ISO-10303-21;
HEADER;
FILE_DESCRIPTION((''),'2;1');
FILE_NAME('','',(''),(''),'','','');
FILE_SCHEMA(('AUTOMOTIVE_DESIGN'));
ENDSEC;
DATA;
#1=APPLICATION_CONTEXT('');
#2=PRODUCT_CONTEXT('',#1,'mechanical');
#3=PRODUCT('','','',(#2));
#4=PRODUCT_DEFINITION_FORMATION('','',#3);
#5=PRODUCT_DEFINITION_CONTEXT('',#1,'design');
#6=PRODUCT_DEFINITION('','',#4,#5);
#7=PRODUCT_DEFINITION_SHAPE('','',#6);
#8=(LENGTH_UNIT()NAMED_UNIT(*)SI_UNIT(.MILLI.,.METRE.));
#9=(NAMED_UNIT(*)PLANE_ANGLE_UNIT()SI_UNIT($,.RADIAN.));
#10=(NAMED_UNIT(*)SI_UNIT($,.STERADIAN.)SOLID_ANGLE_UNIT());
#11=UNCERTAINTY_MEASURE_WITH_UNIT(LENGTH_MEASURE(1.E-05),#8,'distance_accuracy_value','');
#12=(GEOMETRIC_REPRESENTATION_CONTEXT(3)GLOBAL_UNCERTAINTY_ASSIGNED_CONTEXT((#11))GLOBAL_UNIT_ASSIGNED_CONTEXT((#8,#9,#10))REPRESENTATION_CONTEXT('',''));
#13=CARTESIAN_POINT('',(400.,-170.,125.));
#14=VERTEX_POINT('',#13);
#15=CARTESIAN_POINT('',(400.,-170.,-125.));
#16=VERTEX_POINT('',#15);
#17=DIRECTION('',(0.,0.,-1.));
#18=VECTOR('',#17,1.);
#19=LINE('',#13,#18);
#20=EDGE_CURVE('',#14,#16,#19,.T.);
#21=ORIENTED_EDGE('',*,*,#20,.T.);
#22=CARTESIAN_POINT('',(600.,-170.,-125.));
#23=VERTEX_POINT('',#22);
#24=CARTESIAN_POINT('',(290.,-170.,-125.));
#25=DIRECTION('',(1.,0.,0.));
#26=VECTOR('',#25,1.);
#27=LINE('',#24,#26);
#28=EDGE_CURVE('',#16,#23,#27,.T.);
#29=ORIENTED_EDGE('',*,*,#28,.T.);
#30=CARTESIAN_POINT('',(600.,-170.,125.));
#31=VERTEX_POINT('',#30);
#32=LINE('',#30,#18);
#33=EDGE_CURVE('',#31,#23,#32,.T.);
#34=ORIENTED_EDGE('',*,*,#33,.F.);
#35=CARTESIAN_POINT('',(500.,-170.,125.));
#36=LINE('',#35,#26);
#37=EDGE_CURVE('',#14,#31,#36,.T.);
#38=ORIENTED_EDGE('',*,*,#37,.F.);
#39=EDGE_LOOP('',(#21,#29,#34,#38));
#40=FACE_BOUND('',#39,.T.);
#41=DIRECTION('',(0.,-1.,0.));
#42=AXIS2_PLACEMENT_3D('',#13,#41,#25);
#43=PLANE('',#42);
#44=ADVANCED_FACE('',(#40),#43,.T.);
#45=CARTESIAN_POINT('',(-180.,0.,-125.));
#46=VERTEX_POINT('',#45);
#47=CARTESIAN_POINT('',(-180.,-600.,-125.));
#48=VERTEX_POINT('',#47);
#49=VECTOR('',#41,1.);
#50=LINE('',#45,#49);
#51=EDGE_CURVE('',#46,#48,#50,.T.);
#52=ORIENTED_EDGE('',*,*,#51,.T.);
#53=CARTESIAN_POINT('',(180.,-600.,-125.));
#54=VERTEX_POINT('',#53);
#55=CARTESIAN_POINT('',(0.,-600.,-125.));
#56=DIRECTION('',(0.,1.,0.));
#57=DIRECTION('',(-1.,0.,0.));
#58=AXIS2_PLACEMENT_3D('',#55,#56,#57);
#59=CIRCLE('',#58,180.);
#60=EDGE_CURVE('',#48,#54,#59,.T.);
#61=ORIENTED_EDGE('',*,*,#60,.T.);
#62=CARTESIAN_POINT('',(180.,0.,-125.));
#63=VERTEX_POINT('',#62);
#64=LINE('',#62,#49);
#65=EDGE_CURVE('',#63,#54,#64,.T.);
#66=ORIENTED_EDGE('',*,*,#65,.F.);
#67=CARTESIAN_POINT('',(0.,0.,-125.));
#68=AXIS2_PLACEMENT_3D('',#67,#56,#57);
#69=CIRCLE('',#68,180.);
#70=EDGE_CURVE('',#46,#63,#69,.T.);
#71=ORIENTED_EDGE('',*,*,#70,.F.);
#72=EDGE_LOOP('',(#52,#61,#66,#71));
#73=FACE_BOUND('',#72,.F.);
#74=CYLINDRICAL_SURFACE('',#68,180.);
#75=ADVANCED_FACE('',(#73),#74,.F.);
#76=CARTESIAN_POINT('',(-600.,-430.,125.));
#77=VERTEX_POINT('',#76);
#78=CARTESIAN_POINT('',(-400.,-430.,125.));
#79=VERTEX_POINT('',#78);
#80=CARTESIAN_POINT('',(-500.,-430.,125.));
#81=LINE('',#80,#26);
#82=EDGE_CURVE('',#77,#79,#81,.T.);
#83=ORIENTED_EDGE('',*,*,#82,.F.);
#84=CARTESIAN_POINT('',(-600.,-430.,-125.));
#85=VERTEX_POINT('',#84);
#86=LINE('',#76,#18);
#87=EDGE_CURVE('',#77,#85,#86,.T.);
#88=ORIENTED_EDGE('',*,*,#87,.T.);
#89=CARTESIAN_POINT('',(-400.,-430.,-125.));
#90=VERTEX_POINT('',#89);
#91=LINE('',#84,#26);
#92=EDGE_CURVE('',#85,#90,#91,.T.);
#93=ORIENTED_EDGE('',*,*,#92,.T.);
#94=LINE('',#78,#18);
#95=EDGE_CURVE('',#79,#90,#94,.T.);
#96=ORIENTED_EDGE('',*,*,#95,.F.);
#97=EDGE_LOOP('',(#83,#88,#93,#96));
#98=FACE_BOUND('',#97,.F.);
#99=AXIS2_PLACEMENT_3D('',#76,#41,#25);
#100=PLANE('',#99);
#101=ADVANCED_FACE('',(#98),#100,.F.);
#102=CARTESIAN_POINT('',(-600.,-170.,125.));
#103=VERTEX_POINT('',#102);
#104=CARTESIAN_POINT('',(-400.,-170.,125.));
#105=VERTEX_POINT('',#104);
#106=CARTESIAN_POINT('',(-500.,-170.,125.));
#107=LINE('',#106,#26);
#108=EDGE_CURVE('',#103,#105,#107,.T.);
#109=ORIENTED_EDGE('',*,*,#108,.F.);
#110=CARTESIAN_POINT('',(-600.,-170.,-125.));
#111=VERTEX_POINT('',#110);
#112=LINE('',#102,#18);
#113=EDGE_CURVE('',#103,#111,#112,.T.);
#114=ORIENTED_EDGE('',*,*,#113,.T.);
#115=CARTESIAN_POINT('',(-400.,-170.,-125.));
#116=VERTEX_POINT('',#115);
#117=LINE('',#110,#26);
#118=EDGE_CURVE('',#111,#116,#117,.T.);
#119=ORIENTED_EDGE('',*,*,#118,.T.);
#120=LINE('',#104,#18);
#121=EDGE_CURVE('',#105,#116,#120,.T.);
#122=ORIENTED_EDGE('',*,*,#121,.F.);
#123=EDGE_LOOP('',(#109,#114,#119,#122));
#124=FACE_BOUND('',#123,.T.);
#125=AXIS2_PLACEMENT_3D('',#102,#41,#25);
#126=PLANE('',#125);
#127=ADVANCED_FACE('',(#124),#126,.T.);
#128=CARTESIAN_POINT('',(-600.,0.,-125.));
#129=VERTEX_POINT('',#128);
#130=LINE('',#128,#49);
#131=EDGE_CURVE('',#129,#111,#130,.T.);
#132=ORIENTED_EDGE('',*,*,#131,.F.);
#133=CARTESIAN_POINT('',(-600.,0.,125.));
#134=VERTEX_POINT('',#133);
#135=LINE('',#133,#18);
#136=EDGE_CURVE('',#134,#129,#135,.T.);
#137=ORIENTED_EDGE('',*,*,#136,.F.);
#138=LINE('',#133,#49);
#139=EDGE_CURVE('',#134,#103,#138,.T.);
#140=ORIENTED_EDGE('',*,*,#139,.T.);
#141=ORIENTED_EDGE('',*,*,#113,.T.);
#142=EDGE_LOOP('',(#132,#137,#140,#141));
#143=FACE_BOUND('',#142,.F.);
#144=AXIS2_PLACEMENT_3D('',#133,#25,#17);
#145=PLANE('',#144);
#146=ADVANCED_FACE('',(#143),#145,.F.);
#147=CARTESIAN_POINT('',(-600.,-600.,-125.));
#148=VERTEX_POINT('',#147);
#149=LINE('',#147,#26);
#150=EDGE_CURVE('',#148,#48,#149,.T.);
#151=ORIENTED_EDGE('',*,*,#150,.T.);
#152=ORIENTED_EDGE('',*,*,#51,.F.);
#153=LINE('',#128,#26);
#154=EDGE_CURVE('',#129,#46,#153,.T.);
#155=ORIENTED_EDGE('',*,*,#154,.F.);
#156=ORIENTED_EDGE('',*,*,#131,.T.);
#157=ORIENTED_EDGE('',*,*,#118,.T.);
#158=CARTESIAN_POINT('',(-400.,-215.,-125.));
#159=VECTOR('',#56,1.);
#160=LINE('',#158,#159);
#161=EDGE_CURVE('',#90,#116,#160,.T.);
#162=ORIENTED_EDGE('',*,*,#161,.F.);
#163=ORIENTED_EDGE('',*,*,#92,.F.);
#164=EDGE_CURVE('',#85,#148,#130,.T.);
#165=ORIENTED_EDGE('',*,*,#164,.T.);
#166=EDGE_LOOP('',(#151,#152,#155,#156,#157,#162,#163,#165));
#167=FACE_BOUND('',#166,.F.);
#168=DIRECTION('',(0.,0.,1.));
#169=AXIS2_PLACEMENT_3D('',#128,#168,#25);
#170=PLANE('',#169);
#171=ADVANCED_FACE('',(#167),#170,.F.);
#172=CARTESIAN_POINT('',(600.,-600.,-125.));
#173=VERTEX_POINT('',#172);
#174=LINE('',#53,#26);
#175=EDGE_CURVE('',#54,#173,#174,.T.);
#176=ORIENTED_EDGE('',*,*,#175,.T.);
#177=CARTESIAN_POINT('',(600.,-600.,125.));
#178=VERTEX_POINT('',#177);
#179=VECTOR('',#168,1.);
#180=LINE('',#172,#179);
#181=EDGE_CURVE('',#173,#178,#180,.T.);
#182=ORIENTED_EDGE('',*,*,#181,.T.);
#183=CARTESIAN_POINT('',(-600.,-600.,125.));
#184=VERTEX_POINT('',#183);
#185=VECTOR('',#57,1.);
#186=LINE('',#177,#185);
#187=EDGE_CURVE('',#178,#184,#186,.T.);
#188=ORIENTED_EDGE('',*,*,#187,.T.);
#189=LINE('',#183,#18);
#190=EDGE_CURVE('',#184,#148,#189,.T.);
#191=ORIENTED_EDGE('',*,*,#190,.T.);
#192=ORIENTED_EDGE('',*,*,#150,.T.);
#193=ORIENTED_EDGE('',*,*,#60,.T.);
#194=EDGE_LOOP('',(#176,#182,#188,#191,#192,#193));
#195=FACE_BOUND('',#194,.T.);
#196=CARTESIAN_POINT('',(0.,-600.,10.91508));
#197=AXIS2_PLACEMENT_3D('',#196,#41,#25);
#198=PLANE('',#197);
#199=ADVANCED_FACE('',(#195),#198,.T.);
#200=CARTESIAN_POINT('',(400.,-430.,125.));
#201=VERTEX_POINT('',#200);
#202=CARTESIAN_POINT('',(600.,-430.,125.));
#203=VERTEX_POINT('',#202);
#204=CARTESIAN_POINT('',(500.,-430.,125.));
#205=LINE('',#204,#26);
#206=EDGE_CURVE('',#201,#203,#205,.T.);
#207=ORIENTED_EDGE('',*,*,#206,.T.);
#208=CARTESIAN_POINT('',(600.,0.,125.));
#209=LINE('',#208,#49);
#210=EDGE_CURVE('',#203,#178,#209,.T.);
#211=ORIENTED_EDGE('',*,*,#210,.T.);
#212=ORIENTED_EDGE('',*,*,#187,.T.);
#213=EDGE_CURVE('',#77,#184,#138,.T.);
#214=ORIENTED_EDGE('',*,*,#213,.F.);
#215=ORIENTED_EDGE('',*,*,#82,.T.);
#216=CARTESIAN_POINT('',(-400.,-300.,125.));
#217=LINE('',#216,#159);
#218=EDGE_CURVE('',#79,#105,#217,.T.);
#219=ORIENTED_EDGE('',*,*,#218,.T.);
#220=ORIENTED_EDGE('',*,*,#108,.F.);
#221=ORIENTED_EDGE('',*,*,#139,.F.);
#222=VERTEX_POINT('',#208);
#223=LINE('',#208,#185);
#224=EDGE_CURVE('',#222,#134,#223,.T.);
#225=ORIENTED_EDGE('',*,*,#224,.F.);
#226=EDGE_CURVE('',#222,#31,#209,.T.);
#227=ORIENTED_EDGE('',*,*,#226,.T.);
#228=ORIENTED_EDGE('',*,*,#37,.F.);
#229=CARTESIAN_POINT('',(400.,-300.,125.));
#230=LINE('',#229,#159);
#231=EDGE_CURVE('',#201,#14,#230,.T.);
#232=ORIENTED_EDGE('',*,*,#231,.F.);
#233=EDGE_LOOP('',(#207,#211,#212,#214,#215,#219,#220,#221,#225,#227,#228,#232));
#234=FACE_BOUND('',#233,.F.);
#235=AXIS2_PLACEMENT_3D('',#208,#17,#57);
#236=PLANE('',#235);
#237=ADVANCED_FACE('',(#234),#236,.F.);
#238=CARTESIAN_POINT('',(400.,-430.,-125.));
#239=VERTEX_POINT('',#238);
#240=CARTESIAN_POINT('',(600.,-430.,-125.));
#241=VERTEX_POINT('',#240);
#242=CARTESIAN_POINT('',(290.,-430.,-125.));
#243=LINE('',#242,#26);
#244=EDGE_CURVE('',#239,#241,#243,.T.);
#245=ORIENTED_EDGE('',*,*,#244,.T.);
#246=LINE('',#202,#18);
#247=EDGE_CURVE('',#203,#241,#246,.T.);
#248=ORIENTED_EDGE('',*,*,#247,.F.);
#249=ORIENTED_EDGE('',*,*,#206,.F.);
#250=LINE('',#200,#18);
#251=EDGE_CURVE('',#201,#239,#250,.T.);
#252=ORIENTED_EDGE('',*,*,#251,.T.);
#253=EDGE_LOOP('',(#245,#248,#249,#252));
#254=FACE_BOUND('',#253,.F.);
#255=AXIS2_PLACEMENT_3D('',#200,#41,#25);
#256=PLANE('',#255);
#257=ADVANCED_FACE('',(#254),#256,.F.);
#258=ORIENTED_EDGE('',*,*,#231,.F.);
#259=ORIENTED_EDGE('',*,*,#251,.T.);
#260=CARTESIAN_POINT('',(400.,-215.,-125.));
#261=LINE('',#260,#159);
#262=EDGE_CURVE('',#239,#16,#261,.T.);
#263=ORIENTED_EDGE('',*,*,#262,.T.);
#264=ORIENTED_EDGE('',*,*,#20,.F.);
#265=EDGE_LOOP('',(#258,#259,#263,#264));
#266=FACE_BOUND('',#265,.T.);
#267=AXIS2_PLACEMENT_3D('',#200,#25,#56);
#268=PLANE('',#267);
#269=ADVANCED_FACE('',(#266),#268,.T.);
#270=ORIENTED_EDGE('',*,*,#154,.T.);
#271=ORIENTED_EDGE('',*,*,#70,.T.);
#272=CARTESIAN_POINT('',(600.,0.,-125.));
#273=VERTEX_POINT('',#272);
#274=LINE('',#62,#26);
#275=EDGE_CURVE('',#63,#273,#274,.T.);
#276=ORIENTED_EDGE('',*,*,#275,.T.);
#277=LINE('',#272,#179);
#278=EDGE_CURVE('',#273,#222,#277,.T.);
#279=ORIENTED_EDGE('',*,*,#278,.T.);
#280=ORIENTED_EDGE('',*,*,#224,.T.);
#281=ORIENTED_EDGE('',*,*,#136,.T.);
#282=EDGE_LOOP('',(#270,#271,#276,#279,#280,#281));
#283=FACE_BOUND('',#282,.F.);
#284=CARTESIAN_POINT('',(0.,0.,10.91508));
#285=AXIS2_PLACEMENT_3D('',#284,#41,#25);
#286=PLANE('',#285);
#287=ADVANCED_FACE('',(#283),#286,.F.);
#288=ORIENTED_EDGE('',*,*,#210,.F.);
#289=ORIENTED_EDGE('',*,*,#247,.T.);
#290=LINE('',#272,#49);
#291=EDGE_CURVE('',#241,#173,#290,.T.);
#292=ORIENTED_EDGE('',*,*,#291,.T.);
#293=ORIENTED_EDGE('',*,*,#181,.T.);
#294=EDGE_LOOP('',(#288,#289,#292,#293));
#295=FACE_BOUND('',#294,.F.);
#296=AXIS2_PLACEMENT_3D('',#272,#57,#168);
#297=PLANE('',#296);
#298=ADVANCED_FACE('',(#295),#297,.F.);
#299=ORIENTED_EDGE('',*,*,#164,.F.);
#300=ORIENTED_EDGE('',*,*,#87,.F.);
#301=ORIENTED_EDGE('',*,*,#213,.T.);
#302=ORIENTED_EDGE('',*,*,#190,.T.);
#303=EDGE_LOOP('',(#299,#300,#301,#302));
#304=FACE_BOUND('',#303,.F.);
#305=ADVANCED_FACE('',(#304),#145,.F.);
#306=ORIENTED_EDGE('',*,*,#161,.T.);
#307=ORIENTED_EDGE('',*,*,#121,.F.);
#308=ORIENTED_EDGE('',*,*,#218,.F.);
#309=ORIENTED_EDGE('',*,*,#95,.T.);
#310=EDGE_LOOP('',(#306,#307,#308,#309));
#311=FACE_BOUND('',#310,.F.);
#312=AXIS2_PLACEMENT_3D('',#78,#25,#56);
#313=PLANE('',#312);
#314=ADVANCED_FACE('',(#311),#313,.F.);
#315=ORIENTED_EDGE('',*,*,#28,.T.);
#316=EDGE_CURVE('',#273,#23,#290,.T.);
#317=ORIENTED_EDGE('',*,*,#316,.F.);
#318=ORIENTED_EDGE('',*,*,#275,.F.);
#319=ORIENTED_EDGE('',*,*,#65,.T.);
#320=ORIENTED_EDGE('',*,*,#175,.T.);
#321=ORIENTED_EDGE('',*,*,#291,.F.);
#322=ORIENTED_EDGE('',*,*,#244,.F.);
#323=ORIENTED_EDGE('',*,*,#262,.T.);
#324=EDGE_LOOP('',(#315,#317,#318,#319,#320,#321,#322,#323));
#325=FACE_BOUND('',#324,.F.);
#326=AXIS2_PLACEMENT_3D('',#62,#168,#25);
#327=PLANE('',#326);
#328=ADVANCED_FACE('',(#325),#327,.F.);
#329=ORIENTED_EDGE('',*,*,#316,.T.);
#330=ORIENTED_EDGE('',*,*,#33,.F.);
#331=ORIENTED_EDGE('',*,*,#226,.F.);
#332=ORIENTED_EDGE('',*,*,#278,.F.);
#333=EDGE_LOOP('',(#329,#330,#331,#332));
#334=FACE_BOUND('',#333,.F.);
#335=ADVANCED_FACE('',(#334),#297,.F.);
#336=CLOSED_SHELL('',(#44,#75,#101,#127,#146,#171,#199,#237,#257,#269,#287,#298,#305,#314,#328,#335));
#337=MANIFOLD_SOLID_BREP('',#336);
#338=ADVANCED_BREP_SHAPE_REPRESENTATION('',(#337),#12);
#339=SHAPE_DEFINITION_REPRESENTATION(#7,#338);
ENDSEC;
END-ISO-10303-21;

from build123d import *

# Parameters (mm, degrees)
F1_DEPTH = 600
F2_W     = 200
F2_H     = 260
F3_DEPTH = 250.001
F4_W     = 200
F4_H     = 260
F5_DEPTH = 250.001


with BuildPart() as f1:
    # F0 (on Front) → F1 (new body)
    with BuildSketch(Plane.XZ):
        with BuildLine():
            Line((600, 125), (-600, 125))
            Line((-600, 125), (-600, -125))
            Line((-600, -125), (-180, -125))
            ThreePointArc((-180, -125), (0, 55), (180, -125))
            Line((180, -125), (600, -125))
            Line((600, -125), (600, 125))
        make_face()
    extrude(amount=F1_DEPTH)

    # F2 (on face) → F3 (cut, through all)
    with BuildSketch(Plane.XY.offset(125)):
        with Locations((500, -300)):
            Rectangle(F2_W, F2_H)
    extrude(amount=-F3_DEPTH, mode=Mode.SUBTRACT)

    # F4 (on face) → F5 (cut, through all)
    with BuildSketch(Plane.XY.offset(125)):
        with Locations((-500, -300)):
            Rectangle(F4_W, F4_H)
    extrude(amount=-F5_DEPTH, mode=Mode.SUBTRACT)


solid = f1.part
